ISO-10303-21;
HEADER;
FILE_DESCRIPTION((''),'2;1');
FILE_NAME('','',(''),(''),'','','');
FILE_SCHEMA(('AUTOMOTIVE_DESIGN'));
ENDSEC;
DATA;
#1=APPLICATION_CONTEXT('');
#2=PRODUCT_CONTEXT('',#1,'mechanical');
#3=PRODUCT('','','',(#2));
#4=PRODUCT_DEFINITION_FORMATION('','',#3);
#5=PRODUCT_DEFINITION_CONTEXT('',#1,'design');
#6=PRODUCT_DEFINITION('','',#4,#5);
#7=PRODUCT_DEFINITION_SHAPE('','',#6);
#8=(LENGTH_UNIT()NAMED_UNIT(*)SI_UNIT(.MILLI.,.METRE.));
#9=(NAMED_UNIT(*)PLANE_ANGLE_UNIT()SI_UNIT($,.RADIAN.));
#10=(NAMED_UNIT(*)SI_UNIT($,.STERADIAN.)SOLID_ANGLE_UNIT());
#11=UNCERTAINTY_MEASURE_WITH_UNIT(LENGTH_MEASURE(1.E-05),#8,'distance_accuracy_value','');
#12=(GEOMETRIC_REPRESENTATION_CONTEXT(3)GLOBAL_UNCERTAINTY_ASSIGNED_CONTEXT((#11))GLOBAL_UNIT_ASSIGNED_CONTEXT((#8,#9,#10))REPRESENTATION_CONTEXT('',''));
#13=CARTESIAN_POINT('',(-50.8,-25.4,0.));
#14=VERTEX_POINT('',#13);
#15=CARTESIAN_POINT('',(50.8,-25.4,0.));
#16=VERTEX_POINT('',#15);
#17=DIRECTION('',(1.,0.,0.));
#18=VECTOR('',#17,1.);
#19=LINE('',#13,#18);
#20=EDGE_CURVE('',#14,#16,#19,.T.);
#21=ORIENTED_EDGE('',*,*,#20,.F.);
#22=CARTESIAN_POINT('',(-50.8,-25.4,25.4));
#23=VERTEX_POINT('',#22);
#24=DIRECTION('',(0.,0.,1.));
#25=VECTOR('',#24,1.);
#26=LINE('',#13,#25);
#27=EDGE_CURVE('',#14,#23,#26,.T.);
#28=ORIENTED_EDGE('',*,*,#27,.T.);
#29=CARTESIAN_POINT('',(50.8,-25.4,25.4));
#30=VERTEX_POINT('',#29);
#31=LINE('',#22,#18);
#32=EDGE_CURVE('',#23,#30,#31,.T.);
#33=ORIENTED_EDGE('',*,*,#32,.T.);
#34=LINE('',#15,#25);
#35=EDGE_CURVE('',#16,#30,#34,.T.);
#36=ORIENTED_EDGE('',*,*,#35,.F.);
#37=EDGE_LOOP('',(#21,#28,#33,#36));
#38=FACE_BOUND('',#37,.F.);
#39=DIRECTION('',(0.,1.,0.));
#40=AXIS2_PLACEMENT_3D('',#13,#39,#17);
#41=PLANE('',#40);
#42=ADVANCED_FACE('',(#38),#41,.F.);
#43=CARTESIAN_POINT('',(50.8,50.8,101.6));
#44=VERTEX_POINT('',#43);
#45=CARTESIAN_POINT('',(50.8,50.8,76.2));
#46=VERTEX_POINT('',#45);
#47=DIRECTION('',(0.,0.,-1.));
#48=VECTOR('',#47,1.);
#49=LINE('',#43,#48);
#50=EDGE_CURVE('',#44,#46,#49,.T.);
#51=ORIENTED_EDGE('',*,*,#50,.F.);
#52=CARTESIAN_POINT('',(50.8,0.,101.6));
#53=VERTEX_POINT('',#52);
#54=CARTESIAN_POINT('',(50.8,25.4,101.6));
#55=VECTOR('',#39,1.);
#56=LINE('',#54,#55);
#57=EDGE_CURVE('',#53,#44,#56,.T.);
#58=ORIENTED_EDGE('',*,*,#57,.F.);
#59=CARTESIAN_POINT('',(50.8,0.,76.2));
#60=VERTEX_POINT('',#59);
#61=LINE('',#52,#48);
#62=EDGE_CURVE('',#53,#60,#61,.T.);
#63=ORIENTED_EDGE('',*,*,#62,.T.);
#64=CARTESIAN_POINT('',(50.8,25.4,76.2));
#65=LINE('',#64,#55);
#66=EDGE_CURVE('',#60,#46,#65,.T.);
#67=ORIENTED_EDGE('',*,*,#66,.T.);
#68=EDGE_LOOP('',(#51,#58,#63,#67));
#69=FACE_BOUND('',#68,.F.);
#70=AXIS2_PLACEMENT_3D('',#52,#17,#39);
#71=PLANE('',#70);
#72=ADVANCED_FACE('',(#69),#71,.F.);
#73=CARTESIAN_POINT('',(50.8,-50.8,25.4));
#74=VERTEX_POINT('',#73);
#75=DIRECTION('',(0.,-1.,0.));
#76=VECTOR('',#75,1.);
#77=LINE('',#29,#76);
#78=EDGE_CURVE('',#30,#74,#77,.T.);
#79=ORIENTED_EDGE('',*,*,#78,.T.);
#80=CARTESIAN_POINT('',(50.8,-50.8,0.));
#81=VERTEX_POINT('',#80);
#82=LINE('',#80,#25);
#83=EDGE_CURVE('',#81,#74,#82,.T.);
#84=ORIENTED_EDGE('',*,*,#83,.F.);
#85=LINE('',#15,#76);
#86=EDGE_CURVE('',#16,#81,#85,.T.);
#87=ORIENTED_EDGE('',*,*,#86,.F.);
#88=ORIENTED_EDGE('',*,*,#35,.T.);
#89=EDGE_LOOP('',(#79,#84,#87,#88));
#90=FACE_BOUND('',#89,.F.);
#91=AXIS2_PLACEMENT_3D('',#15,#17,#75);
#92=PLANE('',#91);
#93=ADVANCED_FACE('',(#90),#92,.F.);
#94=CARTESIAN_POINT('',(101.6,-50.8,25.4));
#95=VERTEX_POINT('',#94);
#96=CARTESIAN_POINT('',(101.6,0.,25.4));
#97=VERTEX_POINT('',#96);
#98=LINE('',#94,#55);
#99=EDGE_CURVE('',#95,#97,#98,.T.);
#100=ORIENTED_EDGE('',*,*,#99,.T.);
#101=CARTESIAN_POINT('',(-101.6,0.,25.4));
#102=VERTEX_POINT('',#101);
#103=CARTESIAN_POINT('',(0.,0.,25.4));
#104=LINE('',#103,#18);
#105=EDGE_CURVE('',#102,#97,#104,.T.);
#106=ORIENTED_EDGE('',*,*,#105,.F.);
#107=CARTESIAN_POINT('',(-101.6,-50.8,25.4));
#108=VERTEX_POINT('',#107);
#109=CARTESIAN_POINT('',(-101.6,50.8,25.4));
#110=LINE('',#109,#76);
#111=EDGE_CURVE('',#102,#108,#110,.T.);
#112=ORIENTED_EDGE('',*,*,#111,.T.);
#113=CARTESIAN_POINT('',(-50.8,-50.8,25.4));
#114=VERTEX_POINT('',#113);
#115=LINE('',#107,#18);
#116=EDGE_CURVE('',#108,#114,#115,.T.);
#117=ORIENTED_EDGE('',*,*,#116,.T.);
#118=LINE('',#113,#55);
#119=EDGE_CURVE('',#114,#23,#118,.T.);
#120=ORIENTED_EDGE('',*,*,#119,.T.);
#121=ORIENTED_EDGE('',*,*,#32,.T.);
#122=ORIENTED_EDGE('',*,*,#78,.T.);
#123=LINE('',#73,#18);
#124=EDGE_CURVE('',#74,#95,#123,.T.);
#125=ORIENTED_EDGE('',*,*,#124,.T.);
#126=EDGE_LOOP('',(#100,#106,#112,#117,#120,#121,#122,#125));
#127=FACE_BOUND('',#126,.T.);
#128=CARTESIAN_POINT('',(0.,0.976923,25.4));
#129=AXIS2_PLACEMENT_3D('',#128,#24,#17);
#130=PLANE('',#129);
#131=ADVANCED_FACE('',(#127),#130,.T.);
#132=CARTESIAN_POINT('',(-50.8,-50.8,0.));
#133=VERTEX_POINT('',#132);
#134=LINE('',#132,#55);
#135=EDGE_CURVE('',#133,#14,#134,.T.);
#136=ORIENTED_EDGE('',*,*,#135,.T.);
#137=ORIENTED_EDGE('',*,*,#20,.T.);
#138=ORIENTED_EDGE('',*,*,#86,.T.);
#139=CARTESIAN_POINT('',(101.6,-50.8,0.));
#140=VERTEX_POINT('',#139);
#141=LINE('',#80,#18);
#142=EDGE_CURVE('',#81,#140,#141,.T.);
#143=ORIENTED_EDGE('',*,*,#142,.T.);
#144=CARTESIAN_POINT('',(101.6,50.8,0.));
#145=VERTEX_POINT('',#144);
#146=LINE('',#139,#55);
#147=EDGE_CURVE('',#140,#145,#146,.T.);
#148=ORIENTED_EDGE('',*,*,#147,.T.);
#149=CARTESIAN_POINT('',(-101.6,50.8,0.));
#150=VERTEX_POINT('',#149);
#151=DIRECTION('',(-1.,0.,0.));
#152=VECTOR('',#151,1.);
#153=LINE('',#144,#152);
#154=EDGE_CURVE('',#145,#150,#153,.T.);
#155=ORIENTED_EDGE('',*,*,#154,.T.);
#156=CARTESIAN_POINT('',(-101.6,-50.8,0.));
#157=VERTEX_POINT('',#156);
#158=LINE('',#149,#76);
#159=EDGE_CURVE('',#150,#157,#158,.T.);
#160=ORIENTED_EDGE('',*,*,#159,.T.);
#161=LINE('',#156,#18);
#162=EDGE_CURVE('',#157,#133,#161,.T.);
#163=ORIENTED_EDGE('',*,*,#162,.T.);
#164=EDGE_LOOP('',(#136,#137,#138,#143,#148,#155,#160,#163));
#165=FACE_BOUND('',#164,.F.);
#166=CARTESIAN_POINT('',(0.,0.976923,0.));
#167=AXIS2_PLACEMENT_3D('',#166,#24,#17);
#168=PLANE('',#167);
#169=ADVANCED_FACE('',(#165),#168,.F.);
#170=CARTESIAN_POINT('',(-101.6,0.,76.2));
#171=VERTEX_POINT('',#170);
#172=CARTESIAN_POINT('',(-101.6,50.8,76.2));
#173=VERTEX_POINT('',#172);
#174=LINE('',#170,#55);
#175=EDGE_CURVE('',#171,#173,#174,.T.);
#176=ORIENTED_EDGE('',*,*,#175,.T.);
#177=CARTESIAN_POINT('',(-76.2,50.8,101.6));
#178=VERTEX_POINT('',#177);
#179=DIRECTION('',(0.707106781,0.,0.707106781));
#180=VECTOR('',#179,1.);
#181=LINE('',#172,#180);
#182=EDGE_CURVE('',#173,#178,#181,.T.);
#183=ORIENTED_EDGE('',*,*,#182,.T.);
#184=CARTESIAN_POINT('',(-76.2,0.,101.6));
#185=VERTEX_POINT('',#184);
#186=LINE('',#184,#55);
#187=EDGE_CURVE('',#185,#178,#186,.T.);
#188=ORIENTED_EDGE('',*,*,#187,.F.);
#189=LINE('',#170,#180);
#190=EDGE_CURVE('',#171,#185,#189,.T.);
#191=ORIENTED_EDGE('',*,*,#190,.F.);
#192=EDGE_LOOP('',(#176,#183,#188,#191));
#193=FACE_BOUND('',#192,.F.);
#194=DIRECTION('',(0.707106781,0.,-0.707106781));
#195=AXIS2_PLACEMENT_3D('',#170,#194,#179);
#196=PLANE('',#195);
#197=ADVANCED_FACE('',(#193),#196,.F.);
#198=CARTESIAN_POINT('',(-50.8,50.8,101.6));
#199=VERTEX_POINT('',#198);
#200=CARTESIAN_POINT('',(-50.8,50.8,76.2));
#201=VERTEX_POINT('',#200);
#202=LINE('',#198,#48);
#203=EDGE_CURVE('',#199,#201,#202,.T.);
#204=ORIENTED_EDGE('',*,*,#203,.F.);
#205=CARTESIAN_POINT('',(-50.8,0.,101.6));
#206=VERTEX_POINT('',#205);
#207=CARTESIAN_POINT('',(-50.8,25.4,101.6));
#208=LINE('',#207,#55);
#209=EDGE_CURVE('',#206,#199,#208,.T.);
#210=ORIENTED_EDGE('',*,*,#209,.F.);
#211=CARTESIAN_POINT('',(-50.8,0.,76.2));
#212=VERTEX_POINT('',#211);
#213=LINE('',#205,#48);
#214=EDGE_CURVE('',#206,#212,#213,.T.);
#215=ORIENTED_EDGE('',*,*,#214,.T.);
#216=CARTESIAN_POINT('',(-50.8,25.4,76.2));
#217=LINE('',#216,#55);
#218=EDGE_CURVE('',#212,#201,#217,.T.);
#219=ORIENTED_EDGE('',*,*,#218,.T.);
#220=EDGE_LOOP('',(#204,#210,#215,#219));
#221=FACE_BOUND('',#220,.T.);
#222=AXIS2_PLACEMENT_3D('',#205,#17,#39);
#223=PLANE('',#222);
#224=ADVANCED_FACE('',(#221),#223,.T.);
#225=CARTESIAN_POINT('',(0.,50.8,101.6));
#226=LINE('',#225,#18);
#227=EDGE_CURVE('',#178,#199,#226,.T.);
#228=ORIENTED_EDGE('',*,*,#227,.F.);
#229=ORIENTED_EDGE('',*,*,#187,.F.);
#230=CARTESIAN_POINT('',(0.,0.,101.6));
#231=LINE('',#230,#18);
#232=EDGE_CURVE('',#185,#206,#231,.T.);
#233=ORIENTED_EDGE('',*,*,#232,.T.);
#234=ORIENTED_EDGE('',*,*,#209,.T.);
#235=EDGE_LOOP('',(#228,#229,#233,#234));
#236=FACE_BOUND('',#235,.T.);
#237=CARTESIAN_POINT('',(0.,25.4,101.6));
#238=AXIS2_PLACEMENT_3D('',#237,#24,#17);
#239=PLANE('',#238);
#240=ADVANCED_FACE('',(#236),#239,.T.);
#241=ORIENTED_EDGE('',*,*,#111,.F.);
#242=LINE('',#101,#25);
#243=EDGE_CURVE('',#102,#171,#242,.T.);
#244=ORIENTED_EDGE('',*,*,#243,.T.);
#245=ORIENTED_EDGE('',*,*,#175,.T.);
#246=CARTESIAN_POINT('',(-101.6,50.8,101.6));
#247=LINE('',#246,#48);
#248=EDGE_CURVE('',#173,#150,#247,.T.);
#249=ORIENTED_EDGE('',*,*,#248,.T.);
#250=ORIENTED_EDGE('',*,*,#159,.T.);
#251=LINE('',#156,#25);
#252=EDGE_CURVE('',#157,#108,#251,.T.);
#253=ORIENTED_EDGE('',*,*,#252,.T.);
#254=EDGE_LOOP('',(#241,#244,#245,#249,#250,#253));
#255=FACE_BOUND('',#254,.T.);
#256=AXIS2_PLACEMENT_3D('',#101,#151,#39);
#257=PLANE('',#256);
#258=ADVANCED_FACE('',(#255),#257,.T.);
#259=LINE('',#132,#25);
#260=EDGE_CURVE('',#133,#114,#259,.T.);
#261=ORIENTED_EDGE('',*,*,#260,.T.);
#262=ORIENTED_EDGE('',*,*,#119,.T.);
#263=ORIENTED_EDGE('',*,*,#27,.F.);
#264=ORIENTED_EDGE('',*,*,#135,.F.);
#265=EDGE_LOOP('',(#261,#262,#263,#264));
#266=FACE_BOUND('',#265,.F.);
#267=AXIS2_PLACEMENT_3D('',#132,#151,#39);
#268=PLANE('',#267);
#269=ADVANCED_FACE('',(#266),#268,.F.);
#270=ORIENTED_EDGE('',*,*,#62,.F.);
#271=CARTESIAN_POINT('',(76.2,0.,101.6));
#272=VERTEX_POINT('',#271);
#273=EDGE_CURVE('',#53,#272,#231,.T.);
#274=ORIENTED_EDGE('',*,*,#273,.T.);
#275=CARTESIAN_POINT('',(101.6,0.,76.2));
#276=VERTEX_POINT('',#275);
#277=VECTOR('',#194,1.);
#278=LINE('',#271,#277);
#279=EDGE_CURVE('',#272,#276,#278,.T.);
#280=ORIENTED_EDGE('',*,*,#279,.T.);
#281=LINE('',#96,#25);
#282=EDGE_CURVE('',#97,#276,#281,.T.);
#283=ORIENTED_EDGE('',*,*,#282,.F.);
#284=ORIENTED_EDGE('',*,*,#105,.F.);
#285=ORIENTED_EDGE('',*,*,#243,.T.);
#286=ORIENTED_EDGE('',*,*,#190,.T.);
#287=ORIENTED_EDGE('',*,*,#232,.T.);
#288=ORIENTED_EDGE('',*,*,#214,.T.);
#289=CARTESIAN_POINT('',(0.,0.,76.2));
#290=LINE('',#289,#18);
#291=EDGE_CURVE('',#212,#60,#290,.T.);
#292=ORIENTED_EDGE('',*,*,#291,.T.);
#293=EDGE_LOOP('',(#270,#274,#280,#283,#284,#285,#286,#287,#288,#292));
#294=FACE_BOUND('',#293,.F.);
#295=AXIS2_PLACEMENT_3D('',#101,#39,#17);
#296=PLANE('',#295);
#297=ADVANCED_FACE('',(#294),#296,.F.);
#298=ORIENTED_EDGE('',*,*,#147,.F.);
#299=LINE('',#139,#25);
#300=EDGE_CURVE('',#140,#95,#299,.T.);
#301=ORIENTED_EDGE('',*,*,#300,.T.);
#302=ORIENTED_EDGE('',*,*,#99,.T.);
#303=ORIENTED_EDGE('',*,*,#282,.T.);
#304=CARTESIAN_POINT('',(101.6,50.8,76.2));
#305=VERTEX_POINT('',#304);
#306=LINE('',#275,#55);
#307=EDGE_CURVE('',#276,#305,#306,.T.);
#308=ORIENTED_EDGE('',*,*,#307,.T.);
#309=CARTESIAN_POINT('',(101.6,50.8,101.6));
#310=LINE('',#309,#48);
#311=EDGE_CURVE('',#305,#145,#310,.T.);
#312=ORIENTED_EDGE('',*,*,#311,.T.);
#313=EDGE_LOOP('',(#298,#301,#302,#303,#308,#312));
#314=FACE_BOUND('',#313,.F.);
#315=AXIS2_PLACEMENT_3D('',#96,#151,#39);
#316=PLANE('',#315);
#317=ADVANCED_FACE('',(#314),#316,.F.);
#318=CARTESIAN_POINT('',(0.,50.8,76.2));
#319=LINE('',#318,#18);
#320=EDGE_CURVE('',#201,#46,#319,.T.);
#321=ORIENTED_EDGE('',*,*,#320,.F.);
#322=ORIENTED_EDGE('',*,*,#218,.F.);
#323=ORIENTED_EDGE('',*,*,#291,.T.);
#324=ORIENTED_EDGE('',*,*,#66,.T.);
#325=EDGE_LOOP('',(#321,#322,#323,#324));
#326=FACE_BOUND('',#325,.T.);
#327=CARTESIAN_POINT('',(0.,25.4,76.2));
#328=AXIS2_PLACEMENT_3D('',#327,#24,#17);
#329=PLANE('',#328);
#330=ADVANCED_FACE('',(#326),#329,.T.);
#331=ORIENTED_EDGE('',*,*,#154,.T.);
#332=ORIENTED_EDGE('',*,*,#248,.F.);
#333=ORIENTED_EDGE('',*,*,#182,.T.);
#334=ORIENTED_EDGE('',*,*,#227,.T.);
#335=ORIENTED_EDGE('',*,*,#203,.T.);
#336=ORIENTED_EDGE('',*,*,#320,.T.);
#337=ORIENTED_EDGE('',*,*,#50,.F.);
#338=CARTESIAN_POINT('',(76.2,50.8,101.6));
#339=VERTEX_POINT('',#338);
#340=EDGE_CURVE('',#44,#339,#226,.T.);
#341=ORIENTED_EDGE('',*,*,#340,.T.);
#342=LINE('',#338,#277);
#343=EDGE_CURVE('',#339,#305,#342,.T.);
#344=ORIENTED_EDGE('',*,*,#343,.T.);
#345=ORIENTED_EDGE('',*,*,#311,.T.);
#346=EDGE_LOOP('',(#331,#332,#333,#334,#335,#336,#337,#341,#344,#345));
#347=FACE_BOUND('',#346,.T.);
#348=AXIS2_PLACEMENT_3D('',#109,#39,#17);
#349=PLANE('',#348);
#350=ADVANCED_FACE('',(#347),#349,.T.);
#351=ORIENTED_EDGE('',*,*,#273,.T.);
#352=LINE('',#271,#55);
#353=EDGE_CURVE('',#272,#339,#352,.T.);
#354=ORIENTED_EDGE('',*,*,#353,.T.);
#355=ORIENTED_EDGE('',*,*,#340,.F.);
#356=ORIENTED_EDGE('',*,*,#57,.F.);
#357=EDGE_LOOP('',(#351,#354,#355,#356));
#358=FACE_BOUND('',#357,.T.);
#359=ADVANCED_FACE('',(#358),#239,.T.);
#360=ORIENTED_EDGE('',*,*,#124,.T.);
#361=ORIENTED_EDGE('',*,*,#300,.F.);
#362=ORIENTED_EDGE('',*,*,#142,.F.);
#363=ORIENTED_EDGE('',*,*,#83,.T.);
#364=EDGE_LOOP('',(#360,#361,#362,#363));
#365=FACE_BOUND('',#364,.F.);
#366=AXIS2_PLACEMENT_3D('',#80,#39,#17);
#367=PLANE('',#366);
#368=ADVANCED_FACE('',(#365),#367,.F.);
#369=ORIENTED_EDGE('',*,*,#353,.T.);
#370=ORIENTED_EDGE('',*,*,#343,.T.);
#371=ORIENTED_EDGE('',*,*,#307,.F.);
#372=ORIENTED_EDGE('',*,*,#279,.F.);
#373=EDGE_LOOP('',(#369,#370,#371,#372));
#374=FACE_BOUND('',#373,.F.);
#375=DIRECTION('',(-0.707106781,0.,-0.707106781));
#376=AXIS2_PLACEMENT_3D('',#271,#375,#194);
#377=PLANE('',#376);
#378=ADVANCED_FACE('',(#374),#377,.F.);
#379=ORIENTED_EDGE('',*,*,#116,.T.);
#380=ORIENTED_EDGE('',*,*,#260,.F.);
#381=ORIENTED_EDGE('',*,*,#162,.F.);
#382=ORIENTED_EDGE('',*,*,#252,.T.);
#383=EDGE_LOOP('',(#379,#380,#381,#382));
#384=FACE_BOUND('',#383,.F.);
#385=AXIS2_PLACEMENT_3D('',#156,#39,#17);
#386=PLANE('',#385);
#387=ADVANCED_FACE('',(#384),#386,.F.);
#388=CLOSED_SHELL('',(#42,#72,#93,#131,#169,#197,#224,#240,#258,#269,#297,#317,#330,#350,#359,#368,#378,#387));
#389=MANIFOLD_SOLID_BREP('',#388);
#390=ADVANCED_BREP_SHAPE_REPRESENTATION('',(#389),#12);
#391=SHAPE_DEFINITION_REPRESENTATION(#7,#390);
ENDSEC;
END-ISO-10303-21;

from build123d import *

# Parameters (mm, degrees)
F1_DEPTH = 25.4
F2_W     = 203.2
F2_H     = 50.8
F3_DEPTH = 76.2
F4_W     = 101.6
F4_H     = 50.8
F5_DEPTH = 25.4
F7_DEPTH = 50.8
F9_DEPTH = 50.8


with BuildPart() as f1:
    # F0 (on Top) → F1 (new body)
    with BuildSketch(Plane.XY):
        Polygon((101.6, -50.8), (101.6, 50.8), (-101.6, 50.8), (-101.6, -50.8), (-50.8, -50.8), (-50.8, -25.4), (50.8, -25.4), (50.8, -50.8), align=None)
    extrude(amount=F1_DEPTH)

    # F2 (on face) → F3 (join)
    with BuildSketch(Plane.XY.offset(25.4)):
        with Locations((0, 25.4)):
            Rectangle(F2_W, F2_H)
    extrude(amount=F3_DEPTH)

    # F4 (on face) → F5 (cut)
    with BuildSketch(Plane.XY.offset(101.6)):
        with Locations((0, 25.4)):
            Rectangle(F4_W, F4_H)
    extrude(amount=-F5_DEPTH, mode=Mode.SUBTRACT)

    # F6 (on face) → F7 (cut)
    with BuildSketch(Plane.XZ):
        Polygon((101.6, 101.6), (76.2, 101.6), (101.6, 76.2), align=None)
    extrude(amount=-F7_DEPTH, mode=Mode.SUBTRACT)

    # F8 (on face) → F9 (cut)
    with BuildSketch(Plane.XZ):
        Polygon((-101.6, 76.2), (-76.2, 101.6), (-101.6, 101.6), align=None)
    extrude(amount=-F9_DEPTH, mode=Mode.SUBTRACT)


solid = f1.part
